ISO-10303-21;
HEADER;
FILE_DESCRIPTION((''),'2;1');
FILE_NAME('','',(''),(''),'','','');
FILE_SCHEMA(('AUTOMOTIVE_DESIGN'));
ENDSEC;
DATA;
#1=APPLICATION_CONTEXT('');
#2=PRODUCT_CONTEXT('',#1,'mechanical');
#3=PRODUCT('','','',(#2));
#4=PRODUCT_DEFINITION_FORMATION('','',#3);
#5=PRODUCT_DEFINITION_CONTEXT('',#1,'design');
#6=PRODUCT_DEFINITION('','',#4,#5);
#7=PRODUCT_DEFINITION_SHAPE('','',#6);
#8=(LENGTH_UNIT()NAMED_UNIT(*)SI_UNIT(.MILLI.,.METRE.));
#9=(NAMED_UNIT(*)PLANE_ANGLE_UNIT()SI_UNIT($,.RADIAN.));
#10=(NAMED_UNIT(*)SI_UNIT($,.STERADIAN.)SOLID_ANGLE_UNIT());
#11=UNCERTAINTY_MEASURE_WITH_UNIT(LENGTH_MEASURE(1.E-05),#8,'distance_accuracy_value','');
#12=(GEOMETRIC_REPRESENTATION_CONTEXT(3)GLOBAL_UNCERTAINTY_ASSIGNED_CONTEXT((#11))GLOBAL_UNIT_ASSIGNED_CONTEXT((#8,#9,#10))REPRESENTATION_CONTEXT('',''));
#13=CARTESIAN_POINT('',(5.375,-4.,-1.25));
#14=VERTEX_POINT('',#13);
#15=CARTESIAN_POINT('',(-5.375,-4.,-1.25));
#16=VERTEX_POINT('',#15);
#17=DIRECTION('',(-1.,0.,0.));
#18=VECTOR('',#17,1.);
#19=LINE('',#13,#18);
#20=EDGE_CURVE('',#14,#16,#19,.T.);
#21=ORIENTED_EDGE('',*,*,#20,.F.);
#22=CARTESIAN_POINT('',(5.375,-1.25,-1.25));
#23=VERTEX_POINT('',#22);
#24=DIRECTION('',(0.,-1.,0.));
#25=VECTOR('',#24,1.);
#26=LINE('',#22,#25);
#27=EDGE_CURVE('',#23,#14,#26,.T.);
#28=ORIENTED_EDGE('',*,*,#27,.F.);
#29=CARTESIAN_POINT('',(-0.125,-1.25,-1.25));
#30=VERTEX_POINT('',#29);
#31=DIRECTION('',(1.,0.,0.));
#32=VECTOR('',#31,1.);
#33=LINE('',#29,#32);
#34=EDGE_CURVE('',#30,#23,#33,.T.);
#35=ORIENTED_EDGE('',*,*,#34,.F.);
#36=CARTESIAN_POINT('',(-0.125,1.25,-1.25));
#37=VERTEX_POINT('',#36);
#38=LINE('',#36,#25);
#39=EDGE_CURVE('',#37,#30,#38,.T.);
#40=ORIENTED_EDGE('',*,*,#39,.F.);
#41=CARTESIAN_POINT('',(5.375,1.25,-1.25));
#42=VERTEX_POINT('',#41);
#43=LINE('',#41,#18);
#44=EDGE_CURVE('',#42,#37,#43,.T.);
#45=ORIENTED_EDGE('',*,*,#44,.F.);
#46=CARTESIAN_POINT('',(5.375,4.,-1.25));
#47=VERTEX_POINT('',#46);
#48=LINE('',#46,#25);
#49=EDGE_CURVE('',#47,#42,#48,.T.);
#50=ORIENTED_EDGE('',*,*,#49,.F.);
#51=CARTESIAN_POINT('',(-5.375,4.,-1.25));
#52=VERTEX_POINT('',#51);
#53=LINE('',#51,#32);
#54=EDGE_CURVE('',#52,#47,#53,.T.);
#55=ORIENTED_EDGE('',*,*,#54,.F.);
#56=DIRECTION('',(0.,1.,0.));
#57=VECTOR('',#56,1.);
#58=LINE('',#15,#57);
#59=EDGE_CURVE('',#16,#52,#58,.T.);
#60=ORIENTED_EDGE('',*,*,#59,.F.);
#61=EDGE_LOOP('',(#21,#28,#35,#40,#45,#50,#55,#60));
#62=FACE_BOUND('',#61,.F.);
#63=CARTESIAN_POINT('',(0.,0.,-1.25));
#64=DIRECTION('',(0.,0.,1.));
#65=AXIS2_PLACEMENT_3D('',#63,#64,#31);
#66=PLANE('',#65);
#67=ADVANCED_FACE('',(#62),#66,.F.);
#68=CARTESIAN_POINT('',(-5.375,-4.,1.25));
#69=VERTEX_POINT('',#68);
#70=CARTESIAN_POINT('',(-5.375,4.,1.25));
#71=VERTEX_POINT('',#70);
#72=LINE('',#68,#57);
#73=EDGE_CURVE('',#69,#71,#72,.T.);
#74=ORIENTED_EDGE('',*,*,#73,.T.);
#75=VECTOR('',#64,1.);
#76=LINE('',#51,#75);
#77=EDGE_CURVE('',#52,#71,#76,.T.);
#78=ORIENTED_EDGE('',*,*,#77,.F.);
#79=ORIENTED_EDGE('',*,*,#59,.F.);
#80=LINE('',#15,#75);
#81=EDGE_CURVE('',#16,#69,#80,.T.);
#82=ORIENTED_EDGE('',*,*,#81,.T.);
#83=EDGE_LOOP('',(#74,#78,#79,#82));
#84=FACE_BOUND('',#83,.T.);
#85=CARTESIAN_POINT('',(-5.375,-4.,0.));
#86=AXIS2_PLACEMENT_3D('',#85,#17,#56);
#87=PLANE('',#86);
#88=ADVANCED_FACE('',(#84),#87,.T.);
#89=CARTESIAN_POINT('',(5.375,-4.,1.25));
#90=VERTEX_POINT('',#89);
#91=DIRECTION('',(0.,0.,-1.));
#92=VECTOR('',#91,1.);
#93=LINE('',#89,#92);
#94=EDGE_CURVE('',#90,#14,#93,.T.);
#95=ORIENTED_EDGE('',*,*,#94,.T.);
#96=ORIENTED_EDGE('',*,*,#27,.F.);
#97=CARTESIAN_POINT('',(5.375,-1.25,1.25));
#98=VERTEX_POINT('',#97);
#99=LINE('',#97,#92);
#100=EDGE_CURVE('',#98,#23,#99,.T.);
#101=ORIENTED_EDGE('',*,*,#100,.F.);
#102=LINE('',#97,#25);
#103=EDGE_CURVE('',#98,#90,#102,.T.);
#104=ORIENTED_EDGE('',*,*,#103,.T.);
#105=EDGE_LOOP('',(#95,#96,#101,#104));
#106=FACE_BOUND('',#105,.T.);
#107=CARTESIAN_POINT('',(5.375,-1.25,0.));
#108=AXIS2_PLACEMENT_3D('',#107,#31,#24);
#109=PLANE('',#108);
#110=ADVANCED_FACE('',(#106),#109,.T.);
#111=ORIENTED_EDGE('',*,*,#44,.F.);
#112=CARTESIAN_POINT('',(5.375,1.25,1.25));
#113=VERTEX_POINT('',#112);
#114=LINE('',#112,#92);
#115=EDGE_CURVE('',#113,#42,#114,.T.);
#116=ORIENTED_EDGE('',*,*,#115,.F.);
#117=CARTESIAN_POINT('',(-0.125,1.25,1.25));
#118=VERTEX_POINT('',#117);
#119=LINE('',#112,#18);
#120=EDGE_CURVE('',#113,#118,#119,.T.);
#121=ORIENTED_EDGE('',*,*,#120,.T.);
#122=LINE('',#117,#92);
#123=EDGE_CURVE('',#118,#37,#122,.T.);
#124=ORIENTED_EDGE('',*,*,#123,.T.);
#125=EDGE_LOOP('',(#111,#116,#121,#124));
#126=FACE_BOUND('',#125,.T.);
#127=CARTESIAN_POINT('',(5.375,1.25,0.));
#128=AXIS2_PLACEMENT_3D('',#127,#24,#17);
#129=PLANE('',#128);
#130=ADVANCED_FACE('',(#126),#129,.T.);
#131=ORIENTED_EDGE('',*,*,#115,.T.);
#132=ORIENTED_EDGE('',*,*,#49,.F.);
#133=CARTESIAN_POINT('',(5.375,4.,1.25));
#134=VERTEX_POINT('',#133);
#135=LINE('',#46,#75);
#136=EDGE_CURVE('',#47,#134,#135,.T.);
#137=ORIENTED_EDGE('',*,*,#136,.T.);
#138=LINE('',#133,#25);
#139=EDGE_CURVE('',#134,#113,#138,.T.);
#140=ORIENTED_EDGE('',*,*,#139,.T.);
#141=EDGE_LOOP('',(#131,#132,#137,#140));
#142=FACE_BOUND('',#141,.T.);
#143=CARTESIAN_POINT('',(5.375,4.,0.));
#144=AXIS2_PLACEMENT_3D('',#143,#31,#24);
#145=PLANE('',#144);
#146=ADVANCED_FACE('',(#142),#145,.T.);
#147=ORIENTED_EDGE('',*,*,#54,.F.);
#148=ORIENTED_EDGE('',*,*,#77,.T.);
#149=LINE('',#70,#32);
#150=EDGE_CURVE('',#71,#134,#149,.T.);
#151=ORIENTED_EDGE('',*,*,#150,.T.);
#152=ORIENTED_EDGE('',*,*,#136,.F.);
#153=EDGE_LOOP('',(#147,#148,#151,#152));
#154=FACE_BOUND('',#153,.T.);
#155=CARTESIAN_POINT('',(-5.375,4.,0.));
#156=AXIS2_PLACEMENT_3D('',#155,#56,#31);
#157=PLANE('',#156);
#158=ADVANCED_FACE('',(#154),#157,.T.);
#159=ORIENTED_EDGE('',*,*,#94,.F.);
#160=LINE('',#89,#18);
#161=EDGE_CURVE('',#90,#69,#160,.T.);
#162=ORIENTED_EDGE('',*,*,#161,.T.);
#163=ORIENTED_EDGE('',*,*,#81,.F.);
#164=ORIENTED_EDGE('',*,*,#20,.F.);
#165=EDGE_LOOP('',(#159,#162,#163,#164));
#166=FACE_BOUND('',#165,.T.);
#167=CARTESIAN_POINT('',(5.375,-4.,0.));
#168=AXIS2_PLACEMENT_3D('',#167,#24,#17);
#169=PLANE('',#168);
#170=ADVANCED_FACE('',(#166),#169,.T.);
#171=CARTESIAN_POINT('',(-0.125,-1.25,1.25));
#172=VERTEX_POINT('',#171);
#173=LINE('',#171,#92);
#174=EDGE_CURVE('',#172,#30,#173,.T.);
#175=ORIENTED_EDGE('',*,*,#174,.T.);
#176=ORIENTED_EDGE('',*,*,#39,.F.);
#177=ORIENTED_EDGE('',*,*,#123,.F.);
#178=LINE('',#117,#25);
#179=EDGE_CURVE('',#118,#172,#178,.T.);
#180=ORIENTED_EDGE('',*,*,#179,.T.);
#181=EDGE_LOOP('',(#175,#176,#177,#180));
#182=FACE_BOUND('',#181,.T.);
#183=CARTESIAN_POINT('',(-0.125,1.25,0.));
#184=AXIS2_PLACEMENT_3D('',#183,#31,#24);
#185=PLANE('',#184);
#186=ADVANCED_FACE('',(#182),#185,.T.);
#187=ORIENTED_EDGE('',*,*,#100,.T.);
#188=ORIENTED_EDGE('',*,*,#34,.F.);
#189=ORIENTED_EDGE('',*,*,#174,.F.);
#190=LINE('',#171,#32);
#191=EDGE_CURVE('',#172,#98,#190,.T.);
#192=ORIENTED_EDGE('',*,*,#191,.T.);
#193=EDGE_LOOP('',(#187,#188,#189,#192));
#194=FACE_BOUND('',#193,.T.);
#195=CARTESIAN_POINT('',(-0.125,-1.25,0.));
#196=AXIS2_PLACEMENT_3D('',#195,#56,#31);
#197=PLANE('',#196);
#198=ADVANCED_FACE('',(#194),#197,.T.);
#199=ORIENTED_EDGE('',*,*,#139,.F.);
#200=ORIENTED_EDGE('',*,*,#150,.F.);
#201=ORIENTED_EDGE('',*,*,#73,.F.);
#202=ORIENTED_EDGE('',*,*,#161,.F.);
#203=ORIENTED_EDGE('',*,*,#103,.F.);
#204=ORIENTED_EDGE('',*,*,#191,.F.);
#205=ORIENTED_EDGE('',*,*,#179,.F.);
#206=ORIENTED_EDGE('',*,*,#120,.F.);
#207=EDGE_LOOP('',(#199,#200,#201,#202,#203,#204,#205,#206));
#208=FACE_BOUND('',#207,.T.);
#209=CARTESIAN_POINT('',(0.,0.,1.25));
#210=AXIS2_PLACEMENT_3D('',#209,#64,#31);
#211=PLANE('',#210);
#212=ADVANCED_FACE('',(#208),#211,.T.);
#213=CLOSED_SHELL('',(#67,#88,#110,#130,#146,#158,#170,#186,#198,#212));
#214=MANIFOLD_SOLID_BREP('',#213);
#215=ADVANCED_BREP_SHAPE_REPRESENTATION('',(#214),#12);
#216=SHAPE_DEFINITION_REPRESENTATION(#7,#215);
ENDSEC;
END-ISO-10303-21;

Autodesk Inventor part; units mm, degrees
ref_plane "YZ Plane" through (0, 0, 0) normal (1, 0, 0) x (0, 1, 0)
ref_plane "XZ Plane" through (0, 0, 0) normal (0, 1, 0) x (-1, 0, 0)
ref_plane "XY Plane" through (0, 0, 0) normal (0, 0, 1) x (1, 0, 0)
sketch "Sketch1" plane through (0, 0, 0) normal (0, 0, 1) x (1, 0, 0)
  line L0 (5.375, 4) -> (5.375, 1.25)
  line L1 (5.375, 1.25) -> (-0.125, 1.25)
  line L2 (-0.125, 1.25) -> (-0.125, -1.25)
  line L3 (-0.125, -1.25) -> (5.375, -1.25)
  line L4 (5.375, -1.25) -> (5.375, -4)
  line L5 (5.375, -4) -> (-5.375, -4)
  line L6 (-5.375, -4) -> (-5.375, 4)
  line L7 (-5.375, 4) -> (5.375, 4)
  line L8 (-12.6672, 0) -> (12.6672, 0) construction
  line L9 (0, 8.1446) -> (0, -8.1446) construction
  point P0 (0, 0)
  point P1 (0, 0)
  dimension "d1" = 8
  dimension "d2" = 10.75
  dimension "d4" = 2.5
  dimension "d7" = 0.125
extrude "Extrusion1" add sketch "Sketch1" along normal mid plane 2.5
properties part number "pitahaya5"
